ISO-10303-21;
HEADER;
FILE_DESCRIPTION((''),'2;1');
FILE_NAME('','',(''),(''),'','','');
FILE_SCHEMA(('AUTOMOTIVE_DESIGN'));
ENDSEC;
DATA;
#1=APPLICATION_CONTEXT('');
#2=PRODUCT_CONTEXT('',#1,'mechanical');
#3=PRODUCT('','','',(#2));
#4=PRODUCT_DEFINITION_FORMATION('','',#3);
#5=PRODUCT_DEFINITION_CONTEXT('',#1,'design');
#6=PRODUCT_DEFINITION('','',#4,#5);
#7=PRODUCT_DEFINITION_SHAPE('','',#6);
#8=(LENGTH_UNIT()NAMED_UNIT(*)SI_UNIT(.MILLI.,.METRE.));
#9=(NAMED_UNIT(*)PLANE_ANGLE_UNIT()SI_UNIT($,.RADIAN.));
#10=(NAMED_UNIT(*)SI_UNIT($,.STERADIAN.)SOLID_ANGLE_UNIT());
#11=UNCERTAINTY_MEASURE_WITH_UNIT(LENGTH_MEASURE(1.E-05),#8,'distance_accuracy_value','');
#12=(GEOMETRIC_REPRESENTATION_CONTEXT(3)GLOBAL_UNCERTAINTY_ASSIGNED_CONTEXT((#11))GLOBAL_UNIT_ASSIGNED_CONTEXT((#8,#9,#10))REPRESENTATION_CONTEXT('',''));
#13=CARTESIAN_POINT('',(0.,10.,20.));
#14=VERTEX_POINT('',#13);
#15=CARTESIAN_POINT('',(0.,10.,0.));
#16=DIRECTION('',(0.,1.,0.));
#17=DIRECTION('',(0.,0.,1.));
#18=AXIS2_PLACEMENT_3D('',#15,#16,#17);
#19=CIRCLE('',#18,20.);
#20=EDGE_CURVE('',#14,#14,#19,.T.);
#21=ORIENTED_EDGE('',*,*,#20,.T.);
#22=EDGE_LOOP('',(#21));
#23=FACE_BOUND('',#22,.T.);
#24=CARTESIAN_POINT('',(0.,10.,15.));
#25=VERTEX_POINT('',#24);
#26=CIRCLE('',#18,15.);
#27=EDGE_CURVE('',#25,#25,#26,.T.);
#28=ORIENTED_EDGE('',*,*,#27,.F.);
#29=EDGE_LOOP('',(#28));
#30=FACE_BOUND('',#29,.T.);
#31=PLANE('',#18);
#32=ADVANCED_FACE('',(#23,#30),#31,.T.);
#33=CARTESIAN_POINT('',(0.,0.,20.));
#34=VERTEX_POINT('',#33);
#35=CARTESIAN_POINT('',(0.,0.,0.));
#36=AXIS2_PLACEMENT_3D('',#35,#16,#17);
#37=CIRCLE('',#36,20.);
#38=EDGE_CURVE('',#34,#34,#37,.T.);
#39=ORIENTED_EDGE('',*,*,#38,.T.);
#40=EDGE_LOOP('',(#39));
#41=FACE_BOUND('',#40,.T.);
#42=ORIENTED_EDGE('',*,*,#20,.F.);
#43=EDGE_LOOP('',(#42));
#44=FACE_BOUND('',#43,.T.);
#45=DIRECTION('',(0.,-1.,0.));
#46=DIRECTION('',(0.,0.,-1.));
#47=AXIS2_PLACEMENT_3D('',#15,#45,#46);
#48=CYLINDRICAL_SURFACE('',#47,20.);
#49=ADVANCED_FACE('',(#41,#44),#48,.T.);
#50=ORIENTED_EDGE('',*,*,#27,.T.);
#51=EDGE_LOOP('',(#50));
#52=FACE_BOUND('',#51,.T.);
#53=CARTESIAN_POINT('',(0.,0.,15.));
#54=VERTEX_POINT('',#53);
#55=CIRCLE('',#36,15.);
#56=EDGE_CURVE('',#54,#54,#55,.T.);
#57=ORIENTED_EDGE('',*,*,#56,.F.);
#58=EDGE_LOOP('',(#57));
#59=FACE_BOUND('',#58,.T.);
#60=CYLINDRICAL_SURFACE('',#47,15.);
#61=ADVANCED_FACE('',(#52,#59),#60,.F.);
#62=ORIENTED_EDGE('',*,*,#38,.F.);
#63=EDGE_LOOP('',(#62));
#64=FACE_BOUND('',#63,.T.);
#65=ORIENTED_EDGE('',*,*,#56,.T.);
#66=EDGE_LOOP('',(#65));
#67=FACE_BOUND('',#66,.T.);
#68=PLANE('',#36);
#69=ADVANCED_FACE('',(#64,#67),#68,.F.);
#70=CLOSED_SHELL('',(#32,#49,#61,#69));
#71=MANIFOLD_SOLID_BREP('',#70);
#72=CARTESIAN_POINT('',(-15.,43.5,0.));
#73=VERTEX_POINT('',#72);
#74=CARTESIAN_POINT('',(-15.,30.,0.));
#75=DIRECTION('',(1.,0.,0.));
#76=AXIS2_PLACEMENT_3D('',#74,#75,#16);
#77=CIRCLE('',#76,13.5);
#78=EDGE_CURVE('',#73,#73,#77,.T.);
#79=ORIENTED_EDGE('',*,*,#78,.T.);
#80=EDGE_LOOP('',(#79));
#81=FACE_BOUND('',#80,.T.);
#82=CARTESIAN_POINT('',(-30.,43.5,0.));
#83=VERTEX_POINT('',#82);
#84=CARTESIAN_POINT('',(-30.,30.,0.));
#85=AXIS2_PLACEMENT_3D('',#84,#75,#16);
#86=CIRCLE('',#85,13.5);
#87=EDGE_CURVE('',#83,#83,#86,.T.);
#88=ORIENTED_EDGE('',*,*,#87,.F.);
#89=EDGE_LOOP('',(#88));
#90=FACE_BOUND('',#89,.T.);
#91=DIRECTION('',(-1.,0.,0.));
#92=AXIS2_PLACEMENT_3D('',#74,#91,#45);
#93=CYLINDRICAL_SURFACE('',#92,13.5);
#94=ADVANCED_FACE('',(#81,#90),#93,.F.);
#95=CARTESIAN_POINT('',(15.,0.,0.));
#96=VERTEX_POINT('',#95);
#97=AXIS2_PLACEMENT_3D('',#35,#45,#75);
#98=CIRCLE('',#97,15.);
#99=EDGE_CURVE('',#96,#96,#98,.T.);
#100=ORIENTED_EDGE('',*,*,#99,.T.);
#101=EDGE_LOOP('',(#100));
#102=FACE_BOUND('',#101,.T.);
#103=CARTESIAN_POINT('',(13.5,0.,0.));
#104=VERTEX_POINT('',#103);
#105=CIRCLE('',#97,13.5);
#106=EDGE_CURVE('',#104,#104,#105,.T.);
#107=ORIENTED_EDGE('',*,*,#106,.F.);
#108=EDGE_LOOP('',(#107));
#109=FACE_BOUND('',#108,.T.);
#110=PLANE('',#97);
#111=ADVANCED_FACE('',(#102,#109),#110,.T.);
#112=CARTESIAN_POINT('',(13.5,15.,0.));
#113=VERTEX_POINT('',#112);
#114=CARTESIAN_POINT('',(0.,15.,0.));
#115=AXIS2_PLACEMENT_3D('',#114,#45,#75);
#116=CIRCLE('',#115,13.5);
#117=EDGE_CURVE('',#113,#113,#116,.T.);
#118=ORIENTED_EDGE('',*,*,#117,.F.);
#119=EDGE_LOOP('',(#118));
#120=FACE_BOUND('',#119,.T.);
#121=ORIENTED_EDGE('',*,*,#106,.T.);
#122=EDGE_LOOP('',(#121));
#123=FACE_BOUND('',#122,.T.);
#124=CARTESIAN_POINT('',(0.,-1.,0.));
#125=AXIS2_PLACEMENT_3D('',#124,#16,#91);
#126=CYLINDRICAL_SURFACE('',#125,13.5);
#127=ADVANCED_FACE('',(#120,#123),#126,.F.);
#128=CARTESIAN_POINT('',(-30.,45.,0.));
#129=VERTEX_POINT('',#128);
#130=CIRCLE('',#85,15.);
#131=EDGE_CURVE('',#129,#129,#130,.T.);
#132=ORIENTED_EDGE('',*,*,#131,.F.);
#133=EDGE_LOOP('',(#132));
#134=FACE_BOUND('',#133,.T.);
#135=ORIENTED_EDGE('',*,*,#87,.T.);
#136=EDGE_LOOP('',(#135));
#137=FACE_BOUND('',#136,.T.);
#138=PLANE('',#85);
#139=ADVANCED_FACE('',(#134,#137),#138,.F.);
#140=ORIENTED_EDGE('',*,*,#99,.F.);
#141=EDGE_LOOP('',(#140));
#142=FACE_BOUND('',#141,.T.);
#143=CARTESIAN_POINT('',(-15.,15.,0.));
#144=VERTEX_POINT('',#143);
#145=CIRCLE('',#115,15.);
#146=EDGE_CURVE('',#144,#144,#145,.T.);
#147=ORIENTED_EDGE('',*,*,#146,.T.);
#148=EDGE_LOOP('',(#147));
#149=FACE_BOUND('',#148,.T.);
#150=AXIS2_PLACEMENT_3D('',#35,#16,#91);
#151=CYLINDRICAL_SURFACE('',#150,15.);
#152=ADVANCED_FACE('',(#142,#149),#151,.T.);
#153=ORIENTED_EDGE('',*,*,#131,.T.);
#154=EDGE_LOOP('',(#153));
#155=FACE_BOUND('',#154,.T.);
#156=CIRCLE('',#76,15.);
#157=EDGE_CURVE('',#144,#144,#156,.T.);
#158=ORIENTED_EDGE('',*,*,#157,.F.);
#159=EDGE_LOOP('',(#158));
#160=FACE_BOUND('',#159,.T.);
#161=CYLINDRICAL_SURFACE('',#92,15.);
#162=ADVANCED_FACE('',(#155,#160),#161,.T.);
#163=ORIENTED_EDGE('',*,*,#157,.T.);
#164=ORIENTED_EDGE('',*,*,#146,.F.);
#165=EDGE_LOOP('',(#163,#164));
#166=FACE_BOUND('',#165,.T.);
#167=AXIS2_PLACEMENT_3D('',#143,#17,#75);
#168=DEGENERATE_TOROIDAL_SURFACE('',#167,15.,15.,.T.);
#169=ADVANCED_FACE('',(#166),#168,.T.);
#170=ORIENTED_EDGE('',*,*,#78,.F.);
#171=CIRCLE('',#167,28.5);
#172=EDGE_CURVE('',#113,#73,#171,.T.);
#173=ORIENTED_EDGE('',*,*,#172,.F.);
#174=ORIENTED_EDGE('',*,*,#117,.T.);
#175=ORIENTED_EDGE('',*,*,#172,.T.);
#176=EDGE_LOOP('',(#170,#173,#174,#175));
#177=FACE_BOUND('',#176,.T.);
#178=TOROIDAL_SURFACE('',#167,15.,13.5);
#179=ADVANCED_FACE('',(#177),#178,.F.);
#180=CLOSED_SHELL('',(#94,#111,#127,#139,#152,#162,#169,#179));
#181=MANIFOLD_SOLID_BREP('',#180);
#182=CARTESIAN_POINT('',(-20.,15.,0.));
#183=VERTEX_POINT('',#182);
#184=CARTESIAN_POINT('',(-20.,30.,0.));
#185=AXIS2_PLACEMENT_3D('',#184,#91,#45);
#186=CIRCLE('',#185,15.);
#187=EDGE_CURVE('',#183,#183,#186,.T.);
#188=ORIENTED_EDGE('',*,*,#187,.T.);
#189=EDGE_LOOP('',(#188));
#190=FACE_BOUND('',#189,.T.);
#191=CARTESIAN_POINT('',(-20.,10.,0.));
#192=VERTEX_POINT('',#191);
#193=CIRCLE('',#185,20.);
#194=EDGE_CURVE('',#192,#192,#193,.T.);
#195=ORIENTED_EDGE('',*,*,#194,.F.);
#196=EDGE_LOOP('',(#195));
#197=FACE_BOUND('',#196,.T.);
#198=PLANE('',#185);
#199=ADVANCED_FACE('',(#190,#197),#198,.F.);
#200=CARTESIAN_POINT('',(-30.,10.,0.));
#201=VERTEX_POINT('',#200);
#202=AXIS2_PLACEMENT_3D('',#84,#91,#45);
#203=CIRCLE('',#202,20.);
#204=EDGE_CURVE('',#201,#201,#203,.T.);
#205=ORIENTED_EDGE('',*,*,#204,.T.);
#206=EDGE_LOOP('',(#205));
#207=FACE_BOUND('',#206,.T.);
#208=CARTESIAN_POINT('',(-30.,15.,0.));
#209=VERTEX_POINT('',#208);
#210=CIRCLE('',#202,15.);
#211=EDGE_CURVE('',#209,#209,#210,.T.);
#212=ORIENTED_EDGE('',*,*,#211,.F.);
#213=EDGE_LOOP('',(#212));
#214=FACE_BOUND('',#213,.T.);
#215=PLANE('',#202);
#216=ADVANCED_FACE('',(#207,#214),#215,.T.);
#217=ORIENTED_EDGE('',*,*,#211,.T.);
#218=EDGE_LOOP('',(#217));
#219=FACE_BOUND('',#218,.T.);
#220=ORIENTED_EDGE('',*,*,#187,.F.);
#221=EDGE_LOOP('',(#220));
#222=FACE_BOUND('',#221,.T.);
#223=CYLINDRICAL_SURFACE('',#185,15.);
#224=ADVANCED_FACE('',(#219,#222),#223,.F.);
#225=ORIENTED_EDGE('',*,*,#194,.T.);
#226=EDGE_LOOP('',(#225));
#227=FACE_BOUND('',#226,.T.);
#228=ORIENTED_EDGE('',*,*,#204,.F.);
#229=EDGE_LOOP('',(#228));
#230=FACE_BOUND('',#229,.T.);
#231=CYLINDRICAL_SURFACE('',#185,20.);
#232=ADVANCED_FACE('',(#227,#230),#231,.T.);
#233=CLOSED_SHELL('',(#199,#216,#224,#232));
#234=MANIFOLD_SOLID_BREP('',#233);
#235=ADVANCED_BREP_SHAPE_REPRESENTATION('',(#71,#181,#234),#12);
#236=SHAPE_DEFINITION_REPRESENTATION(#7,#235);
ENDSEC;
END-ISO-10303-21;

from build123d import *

# Parameters (mm, degrees)
SWEEP1_PROFILE_R     = 15
CUT_SWEEP1_PROFILE_R = 13.5
SKETCH11_R           = 20
SKETCH11_R_2         = 15
BOSS_EXTRUDE3_DEPTH  = 10
SKETCH27_R           = 20
SKETCH27_R_2         = 15
BOSS_EXTRUDE6_DEPTH  = 10


with BuildPart() as part:
    # Sweep1: sweep along a path in Sketch2
    with BuildLine(Plane.XY) as sweep1_path:
        Line((0, 0), (0, 15))
        ThreePointArc((0, 15), (-4.393398282, 25.606601718), (-15, 30))
        Line((-15, 30), (-30, 30))
    # Sweep1 profile (on start of the path) → Sweep1 (sweep)
    with BuildSketch(Plane(origin=(0, 0, 0), x_dir=(1, 0, 0), z_dir=(0, 1, 0))):
        Circle(SWEEP1_PROFILE_R)
    sweep(path=sweep1_path.line)

    # Cut-Sweep1: sweep along a path in Sketch2<2>
    with BuildLine(Plane.XY) as cut_sweep1_path:
        Line((0, 0), (0, 15))
        ThreePointArc((0, 15), (-4.393398282, 25.606601718), (-15, 30))
        Line((-15, 30), (-30, 30))
    # Cut-Sweep1 profile (on start of the path) → Cut-Sweep1 (sweep, cut)
    with BuildSketch(Plane(origin=(0, 0, 0), x_dir=(1, 0, 0), z_dir=(0, 1, 0))):
        Circle(CUT_SWEEP1_PROFILE_R)
    sweep(path=cut_sweep1_path.line, mode=Mode.SUBTRACT)


with BuildPart() as body_2:
    # Sketch11 → Boss-Extrude3 (new body)
    with BuildSketch(Plane(origin=(0, 0, 0), x_dir=(1, 0, 0), z_dir=(0, 1, 0))):
        Circle(SKETCH11_R)
        Circle(SKETCH11_R_2, mode=Mode.SUBTRACT)
    extrude(amount=BOSS_EXTRUDE3_DEPTH)


with BuildPart() as body_3:
    # Sketch27 → Boss-Extrude6 (new body)
    with BuildSketch(Plane.ZY.offset(30)):
        with Locations((0, 30)):
            Circle(SKETCH27_R)
        with Locations((0, 30)):
            Circle(SKETCH27_R_2, mode=Mode.SUBTRACT)
    extrude(amount=-BOSS_EXTRUDE6_DEPTH)


solid = Compound([part.part, body_2.part, body_3.part])
